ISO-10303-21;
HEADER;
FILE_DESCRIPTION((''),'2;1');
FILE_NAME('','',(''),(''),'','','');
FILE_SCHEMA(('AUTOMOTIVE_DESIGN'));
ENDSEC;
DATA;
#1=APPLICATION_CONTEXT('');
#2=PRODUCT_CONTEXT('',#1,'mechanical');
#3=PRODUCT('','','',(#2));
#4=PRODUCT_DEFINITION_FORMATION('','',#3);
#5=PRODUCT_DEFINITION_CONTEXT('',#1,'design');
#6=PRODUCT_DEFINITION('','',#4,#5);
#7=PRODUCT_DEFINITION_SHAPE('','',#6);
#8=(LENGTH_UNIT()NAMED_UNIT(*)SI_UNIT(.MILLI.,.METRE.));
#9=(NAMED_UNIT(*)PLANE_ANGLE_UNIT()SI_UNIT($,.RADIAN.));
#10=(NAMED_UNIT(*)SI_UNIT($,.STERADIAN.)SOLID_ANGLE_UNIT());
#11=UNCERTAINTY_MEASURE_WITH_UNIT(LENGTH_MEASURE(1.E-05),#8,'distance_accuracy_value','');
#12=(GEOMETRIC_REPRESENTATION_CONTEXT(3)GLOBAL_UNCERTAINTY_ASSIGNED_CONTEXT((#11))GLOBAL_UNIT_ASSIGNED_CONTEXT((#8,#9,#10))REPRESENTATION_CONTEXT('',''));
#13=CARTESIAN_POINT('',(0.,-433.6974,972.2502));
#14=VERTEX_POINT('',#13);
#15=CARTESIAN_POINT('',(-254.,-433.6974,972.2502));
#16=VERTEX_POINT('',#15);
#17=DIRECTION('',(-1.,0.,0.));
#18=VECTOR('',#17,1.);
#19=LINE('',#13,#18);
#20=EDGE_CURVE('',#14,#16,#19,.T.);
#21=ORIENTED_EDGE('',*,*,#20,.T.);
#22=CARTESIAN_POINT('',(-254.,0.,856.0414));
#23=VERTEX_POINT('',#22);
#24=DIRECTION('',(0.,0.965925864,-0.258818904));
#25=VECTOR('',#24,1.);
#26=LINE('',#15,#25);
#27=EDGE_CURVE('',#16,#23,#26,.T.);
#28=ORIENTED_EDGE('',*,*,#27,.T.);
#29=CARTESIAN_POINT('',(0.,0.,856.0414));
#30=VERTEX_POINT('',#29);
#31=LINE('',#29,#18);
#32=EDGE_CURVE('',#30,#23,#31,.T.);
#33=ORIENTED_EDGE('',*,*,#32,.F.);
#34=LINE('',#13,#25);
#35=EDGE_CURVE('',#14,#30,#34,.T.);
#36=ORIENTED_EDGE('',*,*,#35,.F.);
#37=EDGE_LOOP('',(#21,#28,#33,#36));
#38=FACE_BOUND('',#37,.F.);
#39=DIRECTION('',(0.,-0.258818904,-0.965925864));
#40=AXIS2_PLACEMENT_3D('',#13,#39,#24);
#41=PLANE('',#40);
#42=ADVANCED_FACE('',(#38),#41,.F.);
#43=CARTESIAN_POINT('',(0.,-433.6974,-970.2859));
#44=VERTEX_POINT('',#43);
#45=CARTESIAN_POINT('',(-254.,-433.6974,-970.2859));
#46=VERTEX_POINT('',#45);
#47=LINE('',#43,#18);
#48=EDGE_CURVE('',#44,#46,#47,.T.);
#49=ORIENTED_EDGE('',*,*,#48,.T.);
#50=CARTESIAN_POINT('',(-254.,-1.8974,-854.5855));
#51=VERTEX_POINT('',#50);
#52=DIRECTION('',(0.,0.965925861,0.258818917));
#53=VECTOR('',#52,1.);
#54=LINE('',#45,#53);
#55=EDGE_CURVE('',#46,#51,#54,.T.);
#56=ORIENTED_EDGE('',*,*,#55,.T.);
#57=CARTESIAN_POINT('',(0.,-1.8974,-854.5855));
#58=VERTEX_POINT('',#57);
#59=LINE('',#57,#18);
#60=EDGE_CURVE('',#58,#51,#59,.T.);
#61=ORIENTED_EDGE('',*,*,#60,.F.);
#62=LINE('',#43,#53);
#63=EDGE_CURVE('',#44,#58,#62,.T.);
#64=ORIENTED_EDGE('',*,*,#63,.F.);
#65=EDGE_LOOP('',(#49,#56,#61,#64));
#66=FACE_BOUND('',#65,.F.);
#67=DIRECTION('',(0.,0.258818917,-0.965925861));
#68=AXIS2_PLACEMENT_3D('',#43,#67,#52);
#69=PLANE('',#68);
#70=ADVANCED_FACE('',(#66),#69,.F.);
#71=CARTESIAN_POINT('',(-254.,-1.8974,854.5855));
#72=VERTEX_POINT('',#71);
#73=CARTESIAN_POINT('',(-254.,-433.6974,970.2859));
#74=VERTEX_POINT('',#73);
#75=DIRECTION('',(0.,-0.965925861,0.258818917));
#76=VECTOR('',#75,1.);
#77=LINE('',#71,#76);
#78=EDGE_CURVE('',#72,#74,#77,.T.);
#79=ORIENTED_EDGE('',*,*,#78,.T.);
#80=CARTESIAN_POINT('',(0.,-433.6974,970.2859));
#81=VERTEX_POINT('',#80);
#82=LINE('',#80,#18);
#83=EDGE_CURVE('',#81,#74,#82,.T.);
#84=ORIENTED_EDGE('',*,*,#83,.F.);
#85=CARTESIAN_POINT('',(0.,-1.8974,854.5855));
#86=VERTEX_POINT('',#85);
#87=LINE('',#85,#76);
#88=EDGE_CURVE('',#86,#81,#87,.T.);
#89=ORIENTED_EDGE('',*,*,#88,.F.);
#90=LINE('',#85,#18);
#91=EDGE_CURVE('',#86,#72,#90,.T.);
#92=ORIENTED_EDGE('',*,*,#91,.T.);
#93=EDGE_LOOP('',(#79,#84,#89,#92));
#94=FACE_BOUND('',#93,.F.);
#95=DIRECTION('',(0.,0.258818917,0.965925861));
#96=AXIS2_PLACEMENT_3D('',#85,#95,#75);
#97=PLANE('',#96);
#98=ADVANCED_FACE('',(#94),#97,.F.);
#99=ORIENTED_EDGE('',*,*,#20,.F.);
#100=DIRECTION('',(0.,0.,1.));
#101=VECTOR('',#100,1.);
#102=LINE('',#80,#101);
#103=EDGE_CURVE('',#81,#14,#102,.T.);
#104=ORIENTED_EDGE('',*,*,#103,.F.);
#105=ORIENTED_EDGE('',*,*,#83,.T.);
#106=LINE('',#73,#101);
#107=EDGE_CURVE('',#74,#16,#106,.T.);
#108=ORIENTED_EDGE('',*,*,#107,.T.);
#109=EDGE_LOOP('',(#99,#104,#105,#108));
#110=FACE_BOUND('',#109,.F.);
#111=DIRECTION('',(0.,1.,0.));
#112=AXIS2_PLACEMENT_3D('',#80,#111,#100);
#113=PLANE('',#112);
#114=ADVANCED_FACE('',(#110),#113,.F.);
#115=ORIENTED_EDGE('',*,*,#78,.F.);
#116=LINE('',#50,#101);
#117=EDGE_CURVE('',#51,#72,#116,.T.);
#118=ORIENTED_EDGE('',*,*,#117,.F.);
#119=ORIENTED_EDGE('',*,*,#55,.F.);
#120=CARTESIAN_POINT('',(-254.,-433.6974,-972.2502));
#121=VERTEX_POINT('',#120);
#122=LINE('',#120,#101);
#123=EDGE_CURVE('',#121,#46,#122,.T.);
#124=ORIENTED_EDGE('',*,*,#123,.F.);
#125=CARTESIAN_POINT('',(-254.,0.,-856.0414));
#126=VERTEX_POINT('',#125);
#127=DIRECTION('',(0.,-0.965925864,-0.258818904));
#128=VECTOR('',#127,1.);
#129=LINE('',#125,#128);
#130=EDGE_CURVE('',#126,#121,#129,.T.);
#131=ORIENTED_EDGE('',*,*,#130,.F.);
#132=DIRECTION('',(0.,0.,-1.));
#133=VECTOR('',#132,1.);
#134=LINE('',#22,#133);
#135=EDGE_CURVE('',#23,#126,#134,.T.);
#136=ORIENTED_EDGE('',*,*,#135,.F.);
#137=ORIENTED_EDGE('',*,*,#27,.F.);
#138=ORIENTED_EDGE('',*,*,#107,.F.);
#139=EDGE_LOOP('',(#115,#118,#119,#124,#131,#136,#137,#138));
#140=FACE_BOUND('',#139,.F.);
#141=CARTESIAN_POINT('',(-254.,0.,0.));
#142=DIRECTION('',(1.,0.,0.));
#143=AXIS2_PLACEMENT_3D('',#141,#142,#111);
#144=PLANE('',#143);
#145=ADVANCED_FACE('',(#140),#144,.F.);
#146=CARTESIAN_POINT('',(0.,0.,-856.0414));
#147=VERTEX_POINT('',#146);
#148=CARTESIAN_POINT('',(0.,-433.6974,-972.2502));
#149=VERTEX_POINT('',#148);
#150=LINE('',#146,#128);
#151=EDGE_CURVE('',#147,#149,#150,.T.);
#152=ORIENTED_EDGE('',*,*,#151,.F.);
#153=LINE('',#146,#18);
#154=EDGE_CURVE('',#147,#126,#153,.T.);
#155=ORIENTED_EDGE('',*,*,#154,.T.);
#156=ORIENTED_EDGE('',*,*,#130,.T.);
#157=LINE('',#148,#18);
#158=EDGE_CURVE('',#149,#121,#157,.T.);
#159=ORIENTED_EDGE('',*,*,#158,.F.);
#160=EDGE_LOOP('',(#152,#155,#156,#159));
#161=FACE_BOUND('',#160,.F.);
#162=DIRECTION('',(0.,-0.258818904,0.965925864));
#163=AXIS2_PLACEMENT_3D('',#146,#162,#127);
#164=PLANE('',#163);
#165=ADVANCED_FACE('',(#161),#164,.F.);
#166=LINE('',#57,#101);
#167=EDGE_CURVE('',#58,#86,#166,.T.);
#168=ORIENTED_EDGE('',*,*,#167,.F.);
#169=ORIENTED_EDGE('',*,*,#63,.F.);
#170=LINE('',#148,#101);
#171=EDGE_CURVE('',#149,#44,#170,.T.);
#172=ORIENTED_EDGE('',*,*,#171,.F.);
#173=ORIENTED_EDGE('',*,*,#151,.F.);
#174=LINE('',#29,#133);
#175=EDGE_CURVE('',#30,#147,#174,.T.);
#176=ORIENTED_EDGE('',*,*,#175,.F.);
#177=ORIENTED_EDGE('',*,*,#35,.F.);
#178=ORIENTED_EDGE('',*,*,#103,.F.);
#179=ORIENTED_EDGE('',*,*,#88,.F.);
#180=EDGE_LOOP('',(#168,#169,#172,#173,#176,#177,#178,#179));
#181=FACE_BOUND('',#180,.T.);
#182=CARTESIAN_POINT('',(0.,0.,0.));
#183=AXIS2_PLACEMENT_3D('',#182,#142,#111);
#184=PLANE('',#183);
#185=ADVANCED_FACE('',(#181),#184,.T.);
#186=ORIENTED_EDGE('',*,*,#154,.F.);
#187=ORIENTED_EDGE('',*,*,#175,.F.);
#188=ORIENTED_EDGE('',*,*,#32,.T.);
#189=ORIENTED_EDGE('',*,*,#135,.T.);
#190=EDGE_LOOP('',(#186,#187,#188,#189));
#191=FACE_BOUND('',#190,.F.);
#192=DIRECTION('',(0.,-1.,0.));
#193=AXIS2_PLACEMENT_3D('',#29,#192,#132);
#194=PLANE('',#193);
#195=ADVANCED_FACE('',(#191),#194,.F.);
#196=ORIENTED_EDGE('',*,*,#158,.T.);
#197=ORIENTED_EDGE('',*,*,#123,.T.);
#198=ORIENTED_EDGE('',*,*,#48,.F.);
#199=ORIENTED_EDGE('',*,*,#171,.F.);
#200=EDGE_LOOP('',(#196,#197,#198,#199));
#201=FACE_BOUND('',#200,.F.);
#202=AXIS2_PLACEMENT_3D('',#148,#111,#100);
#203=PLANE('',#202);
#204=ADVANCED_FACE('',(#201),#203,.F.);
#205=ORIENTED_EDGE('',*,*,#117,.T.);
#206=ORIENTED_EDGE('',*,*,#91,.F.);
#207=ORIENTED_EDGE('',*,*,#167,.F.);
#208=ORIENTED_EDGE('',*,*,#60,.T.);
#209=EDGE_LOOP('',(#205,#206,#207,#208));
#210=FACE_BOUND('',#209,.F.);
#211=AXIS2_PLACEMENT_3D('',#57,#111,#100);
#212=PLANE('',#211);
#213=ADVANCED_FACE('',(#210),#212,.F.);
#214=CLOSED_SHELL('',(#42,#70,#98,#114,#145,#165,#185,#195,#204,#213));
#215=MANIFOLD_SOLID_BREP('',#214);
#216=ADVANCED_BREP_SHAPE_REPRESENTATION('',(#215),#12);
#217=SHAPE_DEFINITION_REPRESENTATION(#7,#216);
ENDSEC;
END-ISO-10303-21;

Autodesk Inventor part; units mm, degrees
ref_plane "YZ Plane" through (0, 0, 0) normal (1, 0, 0) x (0, 1, 0)
sketch "Sketch1" plane through (0, 0, 0) normal (1, 0, 0) x (0, 1, 0)
  line L0 (-433.6974, 970.2859) -> (-433.6974, 972.2502)
  line L1 (-433.6974, 972.2502) -> (0, 856.0414)
  line L2 (0, 856.0414) -> (0, -856.0414)
  line L3 (0, -856.0414) -> (-433.6974, -972.2502)
  line L4 (-433.6974, -972.2502) -> (-433.6974, -970.2859)
  line L5 (-433.6974, -970.2859) -> (-1.8974, -854.5855)
  line L6 (-1.8974, -854.5855) -> (-1.8974, 854.5855)
  line L7 (-1.8974, 854.5855) -> (-433.6974, 970.2859)
  point P0 (0, 0)
  point P1 (-217.7974, 914.4)
  point P2 (-217.7974, -914.4)
  point P3 (0, 0)
  dimension "d6" = 433.6974
  dimension "d7" = 1.8974
  dimension "d8" = 1.8974
  dimension "d9" = 105
  dimension "d10" = 217.7974
  dimension "d11" = 217.7974
  dimension "d12" = 1828.8
  dimension "d15" = 1940.5718
extrude "Extrusion1" add sketch "Sketch1" against normal blind 254
ref_plane "Work Plane1" through (0, -433.6974, 970.2859) normal (0, -1, 0) x (-1, 0, 0)
ref_plane "Work Plane2" through (0, -433.6974, -970.2859) normal (0, 0, 1) x (1, 0, 0)
properties part number "Fender"
